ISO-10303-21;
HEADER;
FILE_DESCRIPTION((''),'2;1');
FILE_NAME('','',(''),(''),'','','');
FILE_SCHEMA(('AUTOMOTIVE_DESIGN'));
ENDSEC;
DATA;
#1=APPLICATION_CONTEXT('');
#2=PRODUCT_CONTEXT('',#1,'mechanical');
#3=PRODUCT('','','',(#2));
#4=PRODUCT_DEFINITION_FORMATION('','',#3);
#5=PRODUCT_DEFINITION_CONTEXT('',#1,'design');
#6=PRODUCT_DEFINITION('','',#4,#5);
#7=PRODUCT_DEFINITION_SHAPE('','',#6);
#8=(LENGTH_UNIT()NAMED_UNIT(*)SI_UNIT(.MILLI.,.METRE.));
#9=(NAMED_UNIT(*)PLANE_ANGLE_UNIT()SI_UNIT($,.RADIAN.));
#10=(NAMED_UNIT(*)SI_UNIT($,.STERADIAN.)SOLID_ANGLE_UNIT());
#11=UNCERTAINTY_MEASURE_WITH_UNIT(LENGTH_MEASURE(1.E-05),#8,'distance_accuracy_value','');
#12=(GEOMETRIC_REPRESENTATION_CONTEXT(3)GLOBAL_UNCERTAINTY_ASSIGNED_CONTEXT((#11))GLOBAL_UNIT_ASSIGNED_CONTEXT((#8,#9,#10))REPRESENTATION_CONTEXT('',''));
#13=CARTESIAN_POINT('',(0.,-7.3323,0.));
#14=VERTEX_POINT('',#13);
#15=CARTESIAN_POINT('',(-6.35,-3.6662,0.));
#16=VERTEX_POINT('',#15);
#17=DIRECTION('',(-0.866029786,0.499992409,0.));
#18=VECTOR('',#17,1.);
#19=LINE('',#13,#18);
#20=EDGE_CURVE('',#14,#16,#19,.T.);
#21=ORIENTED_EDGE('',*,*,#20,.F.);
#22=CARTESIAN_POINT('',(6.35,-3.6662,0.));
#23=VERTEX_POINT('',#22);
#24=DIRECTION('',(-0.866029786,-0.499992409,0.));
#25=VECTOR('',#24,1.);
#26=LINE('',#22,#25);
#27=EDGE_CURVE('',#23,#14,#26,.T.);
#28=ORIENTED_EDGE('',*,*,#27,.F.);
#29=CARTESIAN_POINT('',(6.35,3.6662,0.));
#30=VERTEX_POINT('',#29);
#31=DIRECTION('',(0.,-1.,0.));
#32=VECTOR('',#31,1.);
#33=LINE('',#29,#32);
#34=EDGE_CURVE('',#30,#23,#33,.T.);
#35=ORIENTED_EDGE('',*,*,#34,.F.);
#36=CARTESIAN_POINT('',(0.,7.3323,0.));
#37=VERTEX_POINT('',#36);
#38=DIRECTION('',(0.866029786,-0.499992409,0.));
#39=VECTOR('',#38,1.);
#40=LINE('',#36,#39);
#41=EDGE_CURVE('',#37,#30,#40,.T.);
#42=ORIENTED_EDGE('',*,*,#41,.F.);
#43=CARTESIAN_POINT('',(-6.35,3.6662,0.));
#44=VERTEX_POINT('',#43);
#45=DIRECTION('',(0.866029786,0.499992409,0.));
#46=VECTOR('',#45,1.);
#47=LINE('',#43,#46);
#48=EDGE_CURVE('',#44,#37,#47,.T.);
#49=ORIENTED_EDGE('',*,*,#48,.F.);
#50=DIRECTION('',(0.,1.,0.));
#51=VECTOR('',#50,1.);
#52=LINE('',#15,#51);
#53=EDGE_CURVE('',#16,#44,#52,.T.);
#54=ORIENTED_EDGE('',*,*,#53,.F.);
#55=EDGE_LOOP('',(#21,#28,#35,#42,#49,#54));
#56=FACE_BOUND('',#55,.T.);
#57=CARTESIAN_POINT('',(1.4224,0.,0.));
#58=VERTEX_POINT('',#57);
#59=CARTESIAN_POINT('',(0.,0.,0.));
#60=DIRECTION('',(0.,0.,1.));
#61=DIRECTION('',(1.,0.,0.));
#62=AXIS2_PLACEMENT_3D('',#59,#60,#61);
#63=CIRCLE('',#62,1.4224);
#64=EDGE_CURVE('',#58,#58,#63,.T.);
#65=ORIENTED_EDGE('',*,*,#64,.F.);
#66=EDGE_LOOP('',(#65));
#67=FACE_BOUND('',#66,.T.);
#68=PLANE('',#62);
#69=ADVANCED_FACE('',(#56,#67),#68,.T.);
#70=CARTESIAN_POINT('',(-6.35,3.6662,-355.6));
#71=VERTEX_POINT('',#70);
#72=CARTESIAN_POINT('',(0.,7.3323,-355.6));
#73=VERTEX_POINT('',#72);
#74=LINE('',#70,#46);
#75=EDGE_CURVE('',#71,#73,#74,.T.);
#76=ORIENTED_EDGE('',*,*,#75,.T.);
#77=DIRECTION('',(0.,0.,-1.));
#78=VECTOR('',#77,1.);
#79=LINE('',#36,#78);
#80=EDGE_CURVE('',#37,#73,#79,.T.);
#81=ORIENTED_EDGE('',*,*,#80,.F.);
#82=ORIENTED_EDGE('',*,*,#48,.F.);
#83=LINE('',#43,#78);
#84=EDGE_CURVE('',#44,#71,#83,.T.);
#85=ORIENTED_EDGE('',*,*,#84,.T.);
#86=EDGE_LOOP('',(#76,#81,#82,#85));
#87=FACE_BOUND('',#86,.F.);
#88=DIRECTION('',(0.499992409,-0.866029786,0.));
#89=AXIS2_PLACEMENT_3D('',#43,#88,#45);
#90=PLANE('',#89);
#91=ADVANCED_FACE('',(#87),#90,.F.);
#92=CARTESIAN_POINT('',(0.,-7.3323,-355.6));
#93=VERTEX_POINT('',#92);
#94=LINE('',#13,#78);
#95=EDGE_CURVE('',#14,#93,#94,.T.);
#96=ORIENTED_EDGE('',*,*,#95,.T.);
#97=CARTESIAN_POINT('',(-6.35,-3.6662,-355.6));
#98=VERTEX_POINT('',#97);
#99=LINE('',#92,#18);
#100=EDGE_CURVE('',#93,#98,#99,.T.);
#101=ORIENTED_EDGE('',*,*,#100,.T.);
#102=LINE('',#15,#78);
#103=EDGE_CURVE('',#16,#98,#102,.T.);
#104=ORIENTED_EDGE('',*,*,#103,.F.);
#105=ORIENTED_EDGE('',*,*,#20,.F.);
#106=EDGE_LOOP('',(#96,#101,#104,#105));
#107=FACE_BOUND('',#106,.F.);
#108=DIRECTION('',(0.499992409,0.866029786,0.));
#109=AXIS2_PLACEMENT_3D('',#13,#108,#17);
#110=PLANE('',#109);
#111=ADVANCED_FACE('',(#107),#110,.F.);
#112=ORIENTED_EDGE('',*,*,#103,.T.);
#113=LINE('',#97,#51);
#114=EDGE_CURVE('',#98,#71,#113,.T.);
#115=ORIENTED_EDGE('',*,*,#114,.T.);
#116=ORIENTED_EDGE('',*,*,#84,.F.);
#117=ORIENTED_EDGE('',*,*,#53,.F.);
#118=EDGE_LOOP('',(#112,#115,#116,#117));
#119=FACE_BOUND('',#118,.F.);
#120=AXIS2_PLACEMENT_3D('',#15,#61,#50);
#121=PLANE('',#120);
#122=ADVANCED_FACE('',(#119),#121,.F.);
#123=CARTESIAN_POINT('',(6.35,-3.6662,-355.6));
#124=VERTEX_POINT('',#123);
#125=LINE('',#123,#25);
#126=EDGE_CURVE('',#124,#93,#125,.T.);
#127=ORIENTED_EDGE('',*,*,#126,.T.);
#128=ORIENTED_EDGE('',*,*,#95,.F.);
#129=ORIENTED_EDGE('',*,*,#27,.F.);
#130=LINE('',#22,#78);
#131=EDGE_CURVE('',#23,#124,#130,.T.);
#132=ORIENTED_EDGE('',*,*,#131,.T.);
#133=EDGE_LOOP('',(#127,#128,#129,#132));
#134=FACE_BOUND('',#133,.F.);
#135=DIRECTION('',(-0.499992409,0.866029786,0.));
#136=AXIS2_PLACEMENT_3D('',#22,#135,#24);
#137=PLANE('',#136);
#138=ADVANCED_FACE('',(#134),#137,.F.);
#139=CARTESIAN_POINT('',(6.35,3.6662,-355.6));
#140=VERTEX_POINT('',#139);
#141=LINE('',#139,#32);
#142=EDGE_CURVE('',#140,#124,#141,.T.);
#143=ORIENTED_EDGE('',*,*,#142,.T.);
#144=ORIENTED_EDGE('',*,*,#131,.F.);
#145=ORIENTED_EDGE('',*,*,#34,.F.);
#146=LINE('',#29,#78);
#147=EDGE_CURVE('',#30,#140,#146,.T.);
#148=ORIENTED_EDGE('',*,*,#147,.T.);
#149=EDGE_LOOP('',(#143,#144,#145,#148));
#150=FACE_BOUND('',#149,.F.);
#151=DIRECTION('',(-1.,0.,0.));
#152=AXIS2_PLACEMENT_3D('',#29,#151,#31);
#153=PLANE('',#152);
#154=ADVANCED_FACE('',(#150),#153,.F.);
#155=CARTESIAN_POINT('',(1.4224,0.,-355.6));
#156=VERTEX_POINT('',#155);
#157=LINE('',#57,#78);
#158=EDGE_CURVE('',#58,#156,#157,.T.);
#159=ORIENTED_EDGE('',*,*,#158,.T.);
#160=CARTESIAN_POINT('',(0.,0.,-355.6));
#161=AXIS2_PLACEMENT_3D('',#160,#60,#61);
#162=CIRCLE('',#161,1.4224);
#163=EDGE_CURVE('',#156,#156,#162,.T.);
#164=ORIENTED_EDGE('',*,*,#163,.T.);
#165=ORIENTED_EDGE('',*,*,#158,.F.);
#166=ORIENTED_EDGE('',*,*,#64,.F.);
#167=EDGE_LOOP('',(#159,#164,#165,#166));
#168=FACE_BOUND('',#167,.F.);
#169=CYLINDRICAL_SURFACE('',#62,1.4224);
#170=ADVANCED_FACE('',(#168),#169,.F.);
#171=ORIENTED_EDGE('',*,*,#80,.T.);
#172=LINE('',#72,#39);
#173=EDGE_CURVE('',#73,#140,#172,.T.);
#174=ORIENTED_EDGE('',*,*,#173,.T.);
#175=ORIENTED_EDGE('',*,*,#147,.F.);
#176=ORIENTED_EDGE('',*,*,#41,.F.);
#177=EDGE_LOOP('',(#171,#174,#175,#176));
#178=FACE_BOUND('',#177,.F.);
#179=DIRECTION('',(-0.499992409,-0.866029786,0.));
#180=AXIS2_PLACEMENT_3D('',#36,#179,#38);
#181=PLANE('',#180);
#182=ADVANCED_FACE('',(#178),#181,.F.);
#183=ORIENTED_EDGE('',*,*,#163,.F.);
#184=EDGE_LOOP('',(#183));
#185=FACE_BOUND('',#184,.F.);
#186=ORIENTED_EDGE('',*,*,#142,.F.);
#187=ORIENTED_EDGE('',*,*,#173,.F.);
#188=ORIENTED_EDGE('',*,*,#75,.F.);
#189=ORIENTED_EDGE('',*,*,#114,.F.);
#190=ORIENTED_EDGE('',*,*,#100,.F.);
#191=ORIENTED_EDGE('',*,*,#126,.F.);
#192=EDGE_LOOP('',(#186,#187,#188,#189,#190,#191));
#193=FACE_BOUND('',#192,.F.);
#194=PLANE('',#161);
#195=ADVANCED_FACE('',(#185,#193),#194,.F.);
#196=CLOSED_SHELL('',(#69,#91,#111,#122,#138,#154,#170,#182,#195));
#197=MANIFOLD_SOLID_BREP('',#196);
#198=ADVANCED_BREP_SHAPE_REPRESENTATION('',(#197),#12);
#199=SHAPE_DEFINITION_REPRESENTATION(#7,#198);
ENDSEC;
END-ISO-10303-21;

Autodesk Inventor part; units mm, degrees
ref_plane "YZ Plane" through (0, 0, 0) normal (1, 0, 0) x (0, 1, 0)
ref_plane "XZ Plane" through (0, 0, 0) normal (0, 1, 0) x (-1, 0, 0)
ref_plane "XY Plane" through (0, 0, 0) normal (0, 0, 1) x (1, 0, 0)
sketch "Sketch1" plane through (0, 0, 0) normal (0, 0, 1) x (1, 0, 0)
  line L0 (6.35, 3.6662) -> (6.35, -3.6662)
  line L1 (6.35, -3.6662) -> (0, -7.3323)
  line L2 (0, -7.3323) -> (-6.35, -3.6662)
  line L3 (-6.35, -3.6662) -> (-6.35, 3.6662)
  line L4 (-6.35, 3.6662) -> (0, 7.3323)
  line L5 (0, 7.3323) -> (6.35, 3.6662)
  circle A0 centre (0, 0) radius 1.4224
  dimension "d0" = 12.7
  dimension "d3" = 2.8448
extrude "Extrusion1" add sketch "Sketch1" against normal blind 355.6
properties part number "SHAFT,HEX,0.500in,DRIVE,ELEVATOR" material "Steel, Alloy"
